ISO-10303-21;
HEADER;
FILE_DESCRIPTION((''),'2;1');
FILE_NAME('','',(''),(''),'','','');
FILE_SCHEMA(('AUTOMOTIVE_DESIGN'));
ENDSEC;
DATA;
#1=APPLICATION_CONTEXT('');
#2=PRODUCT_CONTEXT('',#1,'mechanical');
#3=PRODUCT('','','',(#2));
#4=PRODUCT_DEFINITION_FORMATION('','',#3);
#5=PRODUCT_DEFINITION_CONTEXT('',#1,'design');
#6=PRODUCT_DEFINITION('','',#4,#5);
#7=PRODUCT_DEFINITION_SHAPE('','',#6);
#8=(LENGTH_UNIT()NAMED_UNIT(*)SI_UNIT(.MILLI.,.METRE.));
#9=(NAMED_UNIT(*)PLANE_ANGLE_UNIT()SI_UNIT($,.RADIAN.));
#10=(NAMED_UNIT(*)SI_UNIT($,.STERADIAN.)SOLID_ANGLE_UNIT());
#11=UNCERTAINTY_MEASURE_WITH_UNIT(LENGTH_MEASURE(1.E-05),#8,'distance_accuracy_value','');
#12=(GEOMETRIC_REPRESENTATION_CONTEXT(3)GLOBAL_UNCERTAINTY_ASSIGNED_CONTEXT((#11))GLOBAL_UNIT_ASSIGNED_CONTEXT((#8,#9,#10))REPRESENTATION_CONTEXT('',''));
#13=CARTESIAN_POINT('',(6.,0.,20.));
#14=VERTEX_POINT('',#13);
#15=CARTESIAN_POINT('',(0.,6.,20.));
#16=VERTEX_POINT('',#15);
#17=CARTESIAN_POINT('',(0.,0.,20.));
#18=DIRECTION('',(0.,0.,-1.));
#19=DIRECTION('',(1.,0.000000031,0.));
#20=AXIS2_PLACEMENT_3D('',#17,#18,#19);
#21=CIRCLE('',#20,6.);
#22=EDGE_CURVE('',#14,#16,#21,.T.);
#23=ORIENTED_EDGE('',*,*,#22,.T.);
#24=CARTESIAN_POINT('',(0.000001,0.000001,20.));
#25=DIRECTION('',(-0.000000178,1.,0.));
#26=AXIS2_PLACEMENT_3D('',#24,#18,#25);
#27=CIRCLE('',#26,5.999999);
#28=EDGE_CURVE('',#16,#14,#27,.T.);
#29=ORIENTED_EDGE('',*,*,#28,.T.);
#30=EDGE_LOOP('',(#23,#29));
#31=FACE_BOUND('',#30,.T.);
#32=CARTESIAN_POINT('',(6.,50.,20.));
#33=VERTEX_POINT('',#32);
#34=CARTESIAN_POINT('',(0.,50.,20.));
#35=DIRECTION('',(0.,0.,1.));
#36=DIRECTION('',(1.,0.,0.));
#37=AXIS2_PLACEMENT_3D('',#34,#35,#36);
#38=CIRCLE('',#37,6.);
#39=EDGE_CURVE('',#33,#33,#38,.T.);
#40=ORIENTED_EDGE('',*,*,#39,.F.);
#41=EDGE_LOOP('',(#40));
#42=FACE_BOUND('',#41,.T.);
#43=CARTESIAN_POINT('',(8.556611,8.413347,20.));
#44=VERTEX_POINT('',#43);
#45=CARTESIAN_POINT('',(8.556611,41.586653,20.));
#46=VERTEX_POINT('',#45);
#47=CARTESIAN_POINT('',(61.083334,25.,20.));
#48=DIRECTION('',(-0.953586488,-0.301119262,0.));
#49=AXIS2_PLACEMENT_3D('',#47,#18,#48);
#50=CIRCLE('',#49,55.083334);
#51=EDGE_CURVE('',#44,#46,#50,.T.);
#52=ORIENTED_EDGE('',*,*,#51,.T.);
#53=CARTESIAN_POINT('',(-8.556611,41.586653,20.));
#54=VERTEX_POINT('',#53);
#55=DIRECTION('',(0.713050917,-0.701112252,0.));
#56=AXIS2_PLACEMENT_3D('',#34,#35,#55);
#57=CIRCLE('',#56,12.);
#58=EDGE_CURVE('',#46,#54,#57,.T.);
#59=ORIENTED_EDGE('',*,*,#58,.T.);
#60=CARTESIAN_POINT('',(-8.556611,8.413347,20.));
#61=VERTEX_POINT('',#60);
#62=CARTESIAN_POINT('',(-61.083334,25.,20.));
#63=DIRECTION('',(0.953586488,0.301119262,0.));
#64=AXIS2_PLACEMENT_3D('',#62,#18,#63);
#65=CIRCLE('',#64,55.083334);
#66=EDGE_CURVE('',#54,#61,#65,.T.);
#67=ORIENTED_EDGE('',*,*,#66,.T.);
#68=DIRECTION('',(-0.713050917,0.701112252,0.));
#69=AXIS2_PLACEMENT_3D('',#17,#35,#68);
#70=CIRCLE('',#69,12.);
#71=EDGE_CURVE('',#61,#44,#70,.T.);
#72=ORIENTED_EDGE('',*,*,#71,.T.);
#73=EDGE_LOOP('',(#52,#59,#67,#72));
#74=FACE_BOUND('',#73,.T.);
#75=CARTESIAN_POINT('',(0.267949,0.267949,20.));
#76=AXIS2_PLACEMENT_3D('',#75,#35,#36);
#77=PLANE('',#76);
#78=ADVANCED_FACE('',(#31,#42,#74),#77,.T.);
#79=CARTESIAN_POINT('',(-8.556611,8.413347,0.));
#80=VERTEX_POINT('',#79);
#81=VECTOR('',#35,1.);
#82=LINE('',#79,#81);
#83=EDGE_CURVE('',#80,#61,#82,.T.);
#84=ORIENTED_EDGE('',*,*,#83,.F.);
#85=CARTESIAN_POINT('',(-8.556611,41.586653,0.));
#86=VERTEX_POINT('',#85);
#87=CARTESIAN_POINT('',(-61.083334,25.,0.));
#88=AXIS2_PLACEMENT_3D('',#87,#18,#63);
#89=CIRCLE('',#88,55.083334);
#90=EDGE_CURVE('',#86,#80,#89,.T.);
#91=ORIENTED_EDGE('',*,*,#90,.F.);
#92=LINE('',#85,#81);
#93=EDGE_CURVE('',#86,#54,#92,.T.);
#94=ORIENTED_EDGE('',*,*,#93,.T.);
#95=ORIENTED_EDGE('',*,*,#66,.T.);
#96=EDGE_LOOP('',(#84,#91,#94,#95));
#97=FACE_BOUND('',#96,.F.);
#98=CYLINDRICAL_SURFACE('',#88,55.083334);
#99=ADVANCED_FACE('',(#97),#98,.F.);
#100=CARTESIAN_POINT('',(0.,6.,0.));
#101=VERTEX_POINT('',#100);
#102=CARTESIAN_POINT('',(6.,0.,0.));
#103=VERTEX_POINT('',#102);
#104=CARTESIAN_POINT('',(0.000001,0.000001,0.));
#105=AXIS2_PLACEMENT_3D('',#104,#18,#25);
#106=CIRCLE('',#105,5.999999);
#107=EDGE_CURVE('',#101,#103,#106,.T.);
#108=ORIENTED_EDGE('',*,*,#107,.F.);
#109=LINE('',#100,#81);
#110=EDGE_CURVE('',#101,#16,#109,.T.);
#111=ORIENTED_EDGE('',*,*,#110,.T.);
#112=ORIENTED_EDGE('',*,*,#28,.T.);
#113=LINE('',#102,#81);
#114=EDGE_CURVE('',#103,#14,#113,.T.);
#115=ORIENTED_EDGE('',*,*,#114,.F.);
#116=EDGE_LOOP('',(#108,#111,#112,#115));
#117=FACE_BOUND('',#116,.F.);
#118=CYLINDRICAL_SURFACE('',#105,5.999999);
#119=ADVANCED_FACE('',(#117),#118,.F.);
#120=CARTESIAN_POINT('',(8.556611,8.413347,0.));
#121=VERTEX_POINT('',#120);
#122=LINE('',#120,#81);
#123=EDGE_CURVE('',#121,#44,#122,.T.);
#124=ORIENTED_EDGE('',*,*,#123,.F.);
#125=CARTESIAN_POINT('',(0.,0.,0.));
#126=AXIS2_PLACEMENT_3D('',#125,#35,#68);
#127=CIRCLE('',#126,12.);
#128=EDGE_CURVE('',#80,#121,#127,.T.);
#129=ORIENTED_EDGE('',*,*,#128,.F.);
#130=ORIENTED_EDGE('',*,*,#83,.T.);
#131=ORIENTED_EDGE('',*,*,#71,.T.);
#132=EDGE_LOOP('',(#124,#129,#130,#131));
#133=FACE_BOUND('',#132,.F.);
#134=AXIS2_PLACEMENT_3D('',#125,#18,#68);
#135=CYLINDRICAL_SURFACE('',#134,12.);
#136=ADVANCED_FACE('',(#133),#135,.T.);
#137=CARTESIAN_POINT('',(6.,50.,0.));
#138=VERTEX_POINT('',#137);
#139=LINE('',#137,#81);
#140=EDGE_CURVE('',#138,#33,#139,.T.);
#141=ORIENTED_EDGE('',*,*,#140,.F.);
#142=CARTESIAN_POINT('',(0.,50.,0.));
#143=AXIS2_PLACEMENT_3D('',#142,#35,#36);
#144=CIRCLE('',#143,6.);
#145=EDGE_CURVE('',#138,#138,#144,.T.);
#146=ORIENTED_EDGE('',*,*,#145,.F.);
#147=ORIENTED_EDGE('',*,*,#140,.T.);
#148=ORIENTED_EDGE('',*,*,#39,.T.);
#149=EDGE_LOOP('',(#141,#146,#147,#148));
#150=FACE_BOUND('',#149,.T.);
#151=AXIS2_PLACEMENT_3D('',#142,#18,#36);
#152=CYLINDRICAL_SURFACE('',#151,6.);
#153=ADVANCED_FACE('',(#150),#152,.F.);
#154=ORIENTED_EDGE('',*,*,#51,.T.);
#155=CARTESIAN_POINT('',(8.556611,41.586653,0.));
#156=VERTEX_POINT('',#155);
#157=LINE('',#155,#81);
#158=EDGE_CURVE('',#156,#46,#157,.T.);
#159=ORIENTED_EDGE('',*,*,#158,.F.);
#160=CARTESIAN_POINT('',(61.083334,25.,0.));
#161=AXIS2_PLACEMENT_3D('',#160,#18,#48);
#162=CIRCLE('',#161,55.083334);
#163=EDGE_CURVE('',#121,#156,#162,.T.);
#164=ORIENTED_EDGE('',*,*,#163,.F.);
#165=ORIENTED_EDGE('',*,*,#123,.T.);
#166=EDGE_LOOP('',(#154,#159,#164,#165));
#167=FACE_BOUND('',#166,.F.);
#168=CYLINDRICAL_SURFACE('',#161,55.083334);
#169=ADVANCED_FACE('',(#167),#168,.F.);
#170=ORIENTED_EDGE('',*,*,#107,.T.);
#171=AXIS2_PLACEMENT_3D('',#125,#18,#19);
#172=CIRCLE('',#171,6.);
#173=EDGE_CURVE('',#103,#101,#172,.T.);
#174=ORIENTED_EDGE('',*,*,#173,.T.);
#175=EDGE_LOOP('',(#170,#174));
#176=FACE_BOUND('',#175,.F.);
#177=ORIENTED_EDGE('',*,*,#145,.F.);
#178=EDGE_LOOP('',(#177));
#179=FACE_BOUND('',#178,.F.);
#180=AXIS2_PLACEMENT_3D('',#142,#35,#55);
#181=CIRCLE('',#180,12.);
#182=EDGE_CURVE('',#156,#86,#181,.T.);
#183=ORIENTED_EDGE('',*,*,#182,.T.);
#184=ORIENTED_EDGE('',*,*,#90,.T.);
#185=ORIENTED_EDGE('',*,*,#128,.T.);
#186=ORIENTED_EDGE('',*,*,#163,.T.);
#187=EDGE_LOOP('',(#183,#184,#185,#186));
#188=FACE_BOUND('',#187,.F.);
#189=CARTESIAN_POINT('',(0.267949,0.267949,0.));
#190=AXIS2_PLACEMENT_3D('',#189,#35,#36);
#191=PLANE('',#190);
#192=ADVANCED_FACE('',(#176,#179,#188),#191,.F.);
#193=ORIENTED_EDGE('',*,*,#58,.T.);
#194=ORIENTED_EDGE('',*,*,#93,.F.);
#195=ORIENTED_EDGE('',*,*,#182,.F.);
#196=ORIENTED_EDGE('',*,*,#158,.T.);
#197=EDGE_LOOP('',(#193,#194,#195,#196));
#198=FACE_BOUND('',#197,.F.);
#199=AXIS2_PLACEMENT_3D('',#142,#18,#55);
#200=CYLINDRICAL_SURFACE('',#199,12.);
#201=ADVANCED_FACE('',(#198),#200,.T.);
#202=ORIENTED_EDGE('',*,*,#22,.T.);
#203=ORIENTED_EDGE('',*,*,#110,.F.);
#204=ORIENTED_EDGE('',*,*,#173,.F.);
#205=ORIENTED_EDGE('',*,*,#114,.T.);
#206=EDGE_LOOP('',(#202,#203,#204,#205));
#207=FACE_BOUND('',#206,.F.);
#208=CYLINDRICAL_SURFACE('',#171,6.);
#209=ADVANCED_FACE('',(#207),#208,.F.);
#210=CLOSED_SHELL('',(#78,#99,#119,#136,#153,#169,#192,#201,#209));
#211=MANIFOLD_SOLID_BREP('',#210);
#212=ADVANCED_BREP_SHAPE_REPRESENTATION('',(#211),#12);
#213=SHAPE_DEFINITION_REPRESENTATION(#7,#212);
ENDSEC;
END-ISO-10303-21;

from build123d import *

# Parameters (mm, degrees)
F0_R     = 6
F1_DEPTH = 20


with BuildPart() as f1:
    # F0 (on Top) → F1 (new body)
    with BuildSketch(Plane.XY):
        with BuildLine():
            ThreePointArc((0, 6), (-4.242641, -4.242641), (6, 0))
            ThreePointArc((6, 0), (4.242641, 4.242641), (0, 6))
        make_face()
        with BuildLine():
            ThreePointArc((8.556611, 8.413347), (6, 25), (8.556611, 41.586653))
            ThreePointArc((8.556611, 41.586653), (0, 62), (-8.556611, 41.586653))
            ThreePointArc((-8.556611, 41.586653), (-6, 25), (-8.556611, 8.413347))
            ThreePointArc((-8.556611, 8.413347), (0, -12), (8.556611, 8.413347))
        make_face()
        with BuildLine():
            ThreePointArc((0, 6), (4.242641, 4.242641), (6, 0))
            ThreePointArc((6, 0), (-4.242641, -4.242641), (0, 6))
        make_face(mode=Mode.SUBTRACT)
        with Locations((0, 50)):
            Circle(F0_R, mode=Mode.SUBTRACT)
    extrude(amount=F1_DEPTH)


solid = f1.part
